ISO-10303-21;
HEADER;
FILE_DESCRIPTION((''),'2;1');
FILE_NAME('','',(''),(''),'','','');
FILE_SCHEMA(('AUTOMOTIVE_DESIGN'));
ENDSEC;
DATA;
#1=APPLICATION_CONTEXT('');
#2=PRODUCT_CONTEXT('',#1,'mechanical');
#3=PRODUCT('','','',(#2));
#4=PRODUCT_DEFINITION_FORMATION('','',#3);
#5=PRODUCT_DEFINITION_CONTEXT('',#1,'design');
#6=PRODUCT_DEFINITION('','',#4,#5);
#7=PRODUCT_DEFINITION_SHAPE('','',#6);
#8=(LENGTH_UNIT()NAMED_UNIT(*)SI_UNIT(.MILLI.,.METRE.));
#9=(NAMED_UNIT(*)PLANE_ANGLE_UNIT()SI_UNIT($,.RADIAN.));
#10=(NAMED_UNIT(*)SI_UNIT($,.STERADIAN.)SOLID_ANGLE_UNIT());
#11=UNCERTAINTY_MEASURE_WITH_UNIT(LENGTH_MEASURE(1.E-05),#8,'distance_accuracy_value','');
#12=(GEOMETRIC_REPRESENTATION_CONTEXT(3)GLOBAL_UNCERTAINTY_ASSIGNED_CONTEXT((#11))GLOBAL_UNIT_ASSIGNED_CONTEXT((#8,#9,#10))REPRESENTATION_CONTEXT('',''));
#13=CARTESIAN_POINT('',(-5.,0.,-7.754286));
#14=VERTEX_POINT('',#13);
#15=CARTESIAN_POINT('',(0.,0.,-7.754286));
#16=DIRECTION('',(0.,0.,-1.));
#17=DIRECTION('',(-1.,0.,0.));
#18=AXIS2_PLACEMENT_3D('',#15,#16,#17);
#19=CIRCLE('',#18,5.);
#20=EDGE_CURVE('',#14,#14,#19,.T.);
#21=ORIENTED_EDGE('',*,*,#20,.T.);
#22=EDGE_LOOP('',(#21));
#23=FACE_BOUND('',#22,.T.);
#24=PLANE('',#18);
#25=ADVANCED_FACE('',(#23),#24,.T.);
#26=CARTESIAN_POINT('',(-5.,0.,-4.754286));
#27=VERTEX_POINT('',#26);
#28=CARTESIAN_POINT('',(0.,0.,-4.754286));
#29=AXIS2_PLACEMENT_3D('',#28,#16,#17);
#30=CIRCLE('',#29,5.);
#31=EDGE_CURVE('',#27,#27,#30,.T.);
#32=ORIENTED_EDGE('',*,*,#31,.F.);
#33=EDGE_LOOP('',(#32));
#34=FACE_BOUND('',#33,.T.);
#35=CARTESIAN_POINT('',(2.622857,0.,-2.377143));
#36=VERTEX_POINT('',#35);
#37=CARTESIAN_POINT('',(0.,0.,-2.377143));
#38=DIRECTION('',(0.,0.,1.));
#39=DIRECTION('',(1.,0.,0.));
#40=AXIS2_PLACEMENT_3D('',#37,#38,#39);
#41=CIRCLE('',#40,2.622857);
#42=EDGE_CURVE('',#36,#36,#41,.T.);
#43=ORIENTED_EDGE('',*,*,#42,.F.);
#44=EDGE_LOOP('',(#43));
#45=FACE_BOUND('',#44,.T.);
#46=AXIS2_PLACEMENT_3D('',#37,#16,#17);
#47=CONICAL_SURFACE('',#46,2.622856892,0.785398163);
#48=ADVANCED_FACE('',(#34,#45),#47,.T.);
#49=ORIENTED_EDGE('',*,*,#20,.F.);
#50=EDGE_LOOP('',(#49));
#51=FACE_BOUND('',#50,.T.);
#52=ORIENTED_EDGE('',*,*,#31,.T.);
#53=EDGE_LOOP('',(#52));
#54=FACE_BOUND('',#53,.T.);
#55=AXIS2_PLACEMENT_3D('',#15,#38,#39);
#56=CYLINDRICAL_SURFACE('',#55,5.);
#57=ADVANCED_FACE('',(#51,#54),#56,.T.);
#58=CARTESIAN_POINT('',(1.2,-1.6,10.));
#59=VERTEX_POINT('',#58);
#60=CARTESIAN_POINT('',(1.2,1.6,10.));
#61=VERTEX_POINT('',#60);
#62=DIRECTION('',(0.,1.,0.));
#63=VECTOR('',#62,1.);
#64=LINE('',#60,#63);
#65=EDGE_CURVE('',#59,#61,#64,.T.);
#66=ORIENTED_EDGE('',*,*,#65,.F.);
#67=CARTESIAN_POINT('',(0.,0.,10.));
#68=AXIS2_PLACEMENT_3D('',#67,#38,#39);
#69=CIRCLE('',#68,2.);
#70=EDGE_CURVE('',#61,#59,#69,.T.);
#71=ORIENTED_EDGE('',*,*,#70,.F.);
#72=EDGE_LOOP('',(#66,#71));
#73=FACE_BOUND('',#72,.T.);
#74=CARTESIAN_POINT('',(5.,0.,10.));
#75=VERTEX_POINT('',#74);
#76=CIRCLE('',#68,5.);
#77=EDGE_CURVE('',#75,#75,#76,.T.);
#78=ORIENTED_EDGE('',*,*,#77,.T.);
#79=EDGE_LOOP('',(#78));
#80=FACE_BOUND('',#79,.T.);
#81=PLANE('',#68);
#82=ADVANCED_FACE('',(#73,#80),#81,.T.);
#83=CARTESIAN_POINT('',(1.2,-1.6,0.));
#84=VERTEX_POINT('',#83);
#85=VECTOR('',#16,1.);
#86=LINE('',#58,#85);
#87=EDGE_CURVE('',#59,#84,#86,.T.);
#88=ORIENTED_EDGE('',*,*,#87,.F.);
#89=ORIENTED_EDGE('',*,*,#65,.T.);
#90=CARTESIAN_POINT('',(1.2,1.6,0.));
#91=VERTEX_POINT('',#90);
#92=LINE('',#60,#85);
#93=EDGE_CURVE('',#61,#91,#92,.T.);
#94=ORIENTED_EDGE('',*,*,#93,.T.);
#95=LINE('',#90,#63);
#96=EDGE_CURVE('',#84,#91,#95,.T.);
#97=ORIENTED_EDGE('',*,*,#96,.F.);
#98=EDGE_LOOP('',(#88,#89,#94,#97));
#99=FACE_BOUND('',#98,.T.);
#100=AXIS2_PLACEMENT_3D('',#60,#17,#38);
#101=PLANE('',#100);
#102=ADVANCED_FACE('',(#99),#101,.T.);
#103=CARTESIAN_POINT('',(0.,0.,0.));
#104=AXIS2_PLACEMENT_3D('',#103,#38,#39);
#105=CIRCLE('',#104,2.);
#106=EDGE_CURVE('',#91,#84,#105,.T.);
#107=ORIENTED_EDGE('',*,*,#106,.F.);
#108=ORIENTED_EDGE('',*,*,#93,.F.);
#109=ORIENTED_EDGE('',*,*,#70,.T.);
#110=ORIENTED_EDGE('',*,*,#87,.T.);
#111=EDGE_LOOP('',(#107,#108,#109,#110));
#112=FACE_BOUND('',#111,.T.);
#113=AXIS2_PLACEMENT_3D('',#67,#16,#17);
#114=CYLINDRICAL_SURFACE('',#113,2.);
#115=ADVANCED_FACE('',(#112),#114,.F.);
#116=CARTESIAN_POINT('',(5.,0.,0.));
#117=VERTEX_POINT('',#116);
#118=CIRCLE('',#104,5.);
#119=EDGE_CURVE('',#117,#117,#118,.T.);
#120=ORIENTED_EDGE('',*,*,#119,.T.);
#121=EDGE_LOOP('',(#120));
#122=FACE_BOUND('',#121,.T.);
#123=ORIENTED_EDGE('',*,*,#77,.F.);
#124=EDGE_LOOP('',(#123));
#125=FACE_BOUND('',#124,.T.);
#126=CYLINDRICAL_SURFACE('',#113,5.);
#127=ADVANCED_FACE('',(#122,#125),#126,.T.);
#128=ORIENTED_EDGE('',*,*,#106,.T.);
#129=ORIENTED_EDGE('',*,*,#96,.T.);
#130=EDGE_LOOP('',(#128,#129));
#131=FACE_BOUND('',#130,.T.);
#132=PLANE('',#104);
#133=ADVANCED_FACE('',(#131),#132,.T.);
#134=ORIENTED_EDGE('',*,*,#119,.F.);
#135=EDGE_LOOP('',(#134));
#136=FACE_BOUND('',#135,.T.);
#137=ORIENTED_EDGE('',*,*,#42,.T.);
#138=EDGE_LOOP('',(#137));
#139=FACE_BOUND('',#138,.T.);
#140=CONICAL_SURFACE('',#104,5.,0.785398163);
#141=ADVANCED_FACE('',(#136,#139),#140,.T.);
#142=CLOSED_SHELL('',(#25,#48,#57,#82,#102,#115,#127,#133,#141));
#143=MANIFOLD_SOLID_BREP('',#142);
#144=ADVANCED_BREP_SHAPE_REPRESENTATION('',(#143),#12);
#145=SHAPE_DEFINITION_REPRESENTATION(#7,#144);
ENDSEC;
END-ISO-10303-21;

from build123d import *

# Parameters (mm, degrees)
ESBO_O1_R                = 5
RESSALTO_EXTRUS_O1_DEPTH = 10
RESSALTO_EXTRUS_O3_START = 3
ESBO_O4_R                = 5
RESSALTO_EXTRUS_O3_DEPTH = 3


with BuildPart() as part:
    # Esboço1 → Ressalto-extrusão1 (new body)
    with BuildSketch(Plane.XY):
        Circle(ESBO_O1_R)
        with BuildLine():
            Line((1.2, 1.6), (1.2, -1.6))
            ThreePointArc((1.2, -1.6), (-2, 0), (1.2, 1.6))
        make_face(mode=Mode.SUBTRACT)
    extrude(amount=RESSALTO_EXTRUS_O1_DEPTH)

    # Esboço3 → Revolução1 (revolve)
    with BuildSketch(Plane(origin=(0, 0, 0), x_dir=(1, 0, 0), z_dir=(0, 1, 0))):
        Polygon((0, 0), (5, 0), (2.622856892, 2.377143108), (5, 4.754286215), (0, 4.754286215), align=None)
    revolve(axis=Axis((0, 0, 0), (0, 0, -1)))

    # Esboço4 → Ressalto-extrusão3 (add)
    with BuildSketch(Plane(origin=(0, 0, -4.754286215), x_dir=(-1, 0, 0), z_dir=(0, 0, -1)).offset(RESSALTO_EXTRUS_O3_START)):
        with Locations(Location((0, 0, 0), (0, 0, 180))):
            Circle(ESBO_O4_R)
    extrude(amount=-RESSALTO_EXTRUS_O3_DEPTH)


solid = part.part
